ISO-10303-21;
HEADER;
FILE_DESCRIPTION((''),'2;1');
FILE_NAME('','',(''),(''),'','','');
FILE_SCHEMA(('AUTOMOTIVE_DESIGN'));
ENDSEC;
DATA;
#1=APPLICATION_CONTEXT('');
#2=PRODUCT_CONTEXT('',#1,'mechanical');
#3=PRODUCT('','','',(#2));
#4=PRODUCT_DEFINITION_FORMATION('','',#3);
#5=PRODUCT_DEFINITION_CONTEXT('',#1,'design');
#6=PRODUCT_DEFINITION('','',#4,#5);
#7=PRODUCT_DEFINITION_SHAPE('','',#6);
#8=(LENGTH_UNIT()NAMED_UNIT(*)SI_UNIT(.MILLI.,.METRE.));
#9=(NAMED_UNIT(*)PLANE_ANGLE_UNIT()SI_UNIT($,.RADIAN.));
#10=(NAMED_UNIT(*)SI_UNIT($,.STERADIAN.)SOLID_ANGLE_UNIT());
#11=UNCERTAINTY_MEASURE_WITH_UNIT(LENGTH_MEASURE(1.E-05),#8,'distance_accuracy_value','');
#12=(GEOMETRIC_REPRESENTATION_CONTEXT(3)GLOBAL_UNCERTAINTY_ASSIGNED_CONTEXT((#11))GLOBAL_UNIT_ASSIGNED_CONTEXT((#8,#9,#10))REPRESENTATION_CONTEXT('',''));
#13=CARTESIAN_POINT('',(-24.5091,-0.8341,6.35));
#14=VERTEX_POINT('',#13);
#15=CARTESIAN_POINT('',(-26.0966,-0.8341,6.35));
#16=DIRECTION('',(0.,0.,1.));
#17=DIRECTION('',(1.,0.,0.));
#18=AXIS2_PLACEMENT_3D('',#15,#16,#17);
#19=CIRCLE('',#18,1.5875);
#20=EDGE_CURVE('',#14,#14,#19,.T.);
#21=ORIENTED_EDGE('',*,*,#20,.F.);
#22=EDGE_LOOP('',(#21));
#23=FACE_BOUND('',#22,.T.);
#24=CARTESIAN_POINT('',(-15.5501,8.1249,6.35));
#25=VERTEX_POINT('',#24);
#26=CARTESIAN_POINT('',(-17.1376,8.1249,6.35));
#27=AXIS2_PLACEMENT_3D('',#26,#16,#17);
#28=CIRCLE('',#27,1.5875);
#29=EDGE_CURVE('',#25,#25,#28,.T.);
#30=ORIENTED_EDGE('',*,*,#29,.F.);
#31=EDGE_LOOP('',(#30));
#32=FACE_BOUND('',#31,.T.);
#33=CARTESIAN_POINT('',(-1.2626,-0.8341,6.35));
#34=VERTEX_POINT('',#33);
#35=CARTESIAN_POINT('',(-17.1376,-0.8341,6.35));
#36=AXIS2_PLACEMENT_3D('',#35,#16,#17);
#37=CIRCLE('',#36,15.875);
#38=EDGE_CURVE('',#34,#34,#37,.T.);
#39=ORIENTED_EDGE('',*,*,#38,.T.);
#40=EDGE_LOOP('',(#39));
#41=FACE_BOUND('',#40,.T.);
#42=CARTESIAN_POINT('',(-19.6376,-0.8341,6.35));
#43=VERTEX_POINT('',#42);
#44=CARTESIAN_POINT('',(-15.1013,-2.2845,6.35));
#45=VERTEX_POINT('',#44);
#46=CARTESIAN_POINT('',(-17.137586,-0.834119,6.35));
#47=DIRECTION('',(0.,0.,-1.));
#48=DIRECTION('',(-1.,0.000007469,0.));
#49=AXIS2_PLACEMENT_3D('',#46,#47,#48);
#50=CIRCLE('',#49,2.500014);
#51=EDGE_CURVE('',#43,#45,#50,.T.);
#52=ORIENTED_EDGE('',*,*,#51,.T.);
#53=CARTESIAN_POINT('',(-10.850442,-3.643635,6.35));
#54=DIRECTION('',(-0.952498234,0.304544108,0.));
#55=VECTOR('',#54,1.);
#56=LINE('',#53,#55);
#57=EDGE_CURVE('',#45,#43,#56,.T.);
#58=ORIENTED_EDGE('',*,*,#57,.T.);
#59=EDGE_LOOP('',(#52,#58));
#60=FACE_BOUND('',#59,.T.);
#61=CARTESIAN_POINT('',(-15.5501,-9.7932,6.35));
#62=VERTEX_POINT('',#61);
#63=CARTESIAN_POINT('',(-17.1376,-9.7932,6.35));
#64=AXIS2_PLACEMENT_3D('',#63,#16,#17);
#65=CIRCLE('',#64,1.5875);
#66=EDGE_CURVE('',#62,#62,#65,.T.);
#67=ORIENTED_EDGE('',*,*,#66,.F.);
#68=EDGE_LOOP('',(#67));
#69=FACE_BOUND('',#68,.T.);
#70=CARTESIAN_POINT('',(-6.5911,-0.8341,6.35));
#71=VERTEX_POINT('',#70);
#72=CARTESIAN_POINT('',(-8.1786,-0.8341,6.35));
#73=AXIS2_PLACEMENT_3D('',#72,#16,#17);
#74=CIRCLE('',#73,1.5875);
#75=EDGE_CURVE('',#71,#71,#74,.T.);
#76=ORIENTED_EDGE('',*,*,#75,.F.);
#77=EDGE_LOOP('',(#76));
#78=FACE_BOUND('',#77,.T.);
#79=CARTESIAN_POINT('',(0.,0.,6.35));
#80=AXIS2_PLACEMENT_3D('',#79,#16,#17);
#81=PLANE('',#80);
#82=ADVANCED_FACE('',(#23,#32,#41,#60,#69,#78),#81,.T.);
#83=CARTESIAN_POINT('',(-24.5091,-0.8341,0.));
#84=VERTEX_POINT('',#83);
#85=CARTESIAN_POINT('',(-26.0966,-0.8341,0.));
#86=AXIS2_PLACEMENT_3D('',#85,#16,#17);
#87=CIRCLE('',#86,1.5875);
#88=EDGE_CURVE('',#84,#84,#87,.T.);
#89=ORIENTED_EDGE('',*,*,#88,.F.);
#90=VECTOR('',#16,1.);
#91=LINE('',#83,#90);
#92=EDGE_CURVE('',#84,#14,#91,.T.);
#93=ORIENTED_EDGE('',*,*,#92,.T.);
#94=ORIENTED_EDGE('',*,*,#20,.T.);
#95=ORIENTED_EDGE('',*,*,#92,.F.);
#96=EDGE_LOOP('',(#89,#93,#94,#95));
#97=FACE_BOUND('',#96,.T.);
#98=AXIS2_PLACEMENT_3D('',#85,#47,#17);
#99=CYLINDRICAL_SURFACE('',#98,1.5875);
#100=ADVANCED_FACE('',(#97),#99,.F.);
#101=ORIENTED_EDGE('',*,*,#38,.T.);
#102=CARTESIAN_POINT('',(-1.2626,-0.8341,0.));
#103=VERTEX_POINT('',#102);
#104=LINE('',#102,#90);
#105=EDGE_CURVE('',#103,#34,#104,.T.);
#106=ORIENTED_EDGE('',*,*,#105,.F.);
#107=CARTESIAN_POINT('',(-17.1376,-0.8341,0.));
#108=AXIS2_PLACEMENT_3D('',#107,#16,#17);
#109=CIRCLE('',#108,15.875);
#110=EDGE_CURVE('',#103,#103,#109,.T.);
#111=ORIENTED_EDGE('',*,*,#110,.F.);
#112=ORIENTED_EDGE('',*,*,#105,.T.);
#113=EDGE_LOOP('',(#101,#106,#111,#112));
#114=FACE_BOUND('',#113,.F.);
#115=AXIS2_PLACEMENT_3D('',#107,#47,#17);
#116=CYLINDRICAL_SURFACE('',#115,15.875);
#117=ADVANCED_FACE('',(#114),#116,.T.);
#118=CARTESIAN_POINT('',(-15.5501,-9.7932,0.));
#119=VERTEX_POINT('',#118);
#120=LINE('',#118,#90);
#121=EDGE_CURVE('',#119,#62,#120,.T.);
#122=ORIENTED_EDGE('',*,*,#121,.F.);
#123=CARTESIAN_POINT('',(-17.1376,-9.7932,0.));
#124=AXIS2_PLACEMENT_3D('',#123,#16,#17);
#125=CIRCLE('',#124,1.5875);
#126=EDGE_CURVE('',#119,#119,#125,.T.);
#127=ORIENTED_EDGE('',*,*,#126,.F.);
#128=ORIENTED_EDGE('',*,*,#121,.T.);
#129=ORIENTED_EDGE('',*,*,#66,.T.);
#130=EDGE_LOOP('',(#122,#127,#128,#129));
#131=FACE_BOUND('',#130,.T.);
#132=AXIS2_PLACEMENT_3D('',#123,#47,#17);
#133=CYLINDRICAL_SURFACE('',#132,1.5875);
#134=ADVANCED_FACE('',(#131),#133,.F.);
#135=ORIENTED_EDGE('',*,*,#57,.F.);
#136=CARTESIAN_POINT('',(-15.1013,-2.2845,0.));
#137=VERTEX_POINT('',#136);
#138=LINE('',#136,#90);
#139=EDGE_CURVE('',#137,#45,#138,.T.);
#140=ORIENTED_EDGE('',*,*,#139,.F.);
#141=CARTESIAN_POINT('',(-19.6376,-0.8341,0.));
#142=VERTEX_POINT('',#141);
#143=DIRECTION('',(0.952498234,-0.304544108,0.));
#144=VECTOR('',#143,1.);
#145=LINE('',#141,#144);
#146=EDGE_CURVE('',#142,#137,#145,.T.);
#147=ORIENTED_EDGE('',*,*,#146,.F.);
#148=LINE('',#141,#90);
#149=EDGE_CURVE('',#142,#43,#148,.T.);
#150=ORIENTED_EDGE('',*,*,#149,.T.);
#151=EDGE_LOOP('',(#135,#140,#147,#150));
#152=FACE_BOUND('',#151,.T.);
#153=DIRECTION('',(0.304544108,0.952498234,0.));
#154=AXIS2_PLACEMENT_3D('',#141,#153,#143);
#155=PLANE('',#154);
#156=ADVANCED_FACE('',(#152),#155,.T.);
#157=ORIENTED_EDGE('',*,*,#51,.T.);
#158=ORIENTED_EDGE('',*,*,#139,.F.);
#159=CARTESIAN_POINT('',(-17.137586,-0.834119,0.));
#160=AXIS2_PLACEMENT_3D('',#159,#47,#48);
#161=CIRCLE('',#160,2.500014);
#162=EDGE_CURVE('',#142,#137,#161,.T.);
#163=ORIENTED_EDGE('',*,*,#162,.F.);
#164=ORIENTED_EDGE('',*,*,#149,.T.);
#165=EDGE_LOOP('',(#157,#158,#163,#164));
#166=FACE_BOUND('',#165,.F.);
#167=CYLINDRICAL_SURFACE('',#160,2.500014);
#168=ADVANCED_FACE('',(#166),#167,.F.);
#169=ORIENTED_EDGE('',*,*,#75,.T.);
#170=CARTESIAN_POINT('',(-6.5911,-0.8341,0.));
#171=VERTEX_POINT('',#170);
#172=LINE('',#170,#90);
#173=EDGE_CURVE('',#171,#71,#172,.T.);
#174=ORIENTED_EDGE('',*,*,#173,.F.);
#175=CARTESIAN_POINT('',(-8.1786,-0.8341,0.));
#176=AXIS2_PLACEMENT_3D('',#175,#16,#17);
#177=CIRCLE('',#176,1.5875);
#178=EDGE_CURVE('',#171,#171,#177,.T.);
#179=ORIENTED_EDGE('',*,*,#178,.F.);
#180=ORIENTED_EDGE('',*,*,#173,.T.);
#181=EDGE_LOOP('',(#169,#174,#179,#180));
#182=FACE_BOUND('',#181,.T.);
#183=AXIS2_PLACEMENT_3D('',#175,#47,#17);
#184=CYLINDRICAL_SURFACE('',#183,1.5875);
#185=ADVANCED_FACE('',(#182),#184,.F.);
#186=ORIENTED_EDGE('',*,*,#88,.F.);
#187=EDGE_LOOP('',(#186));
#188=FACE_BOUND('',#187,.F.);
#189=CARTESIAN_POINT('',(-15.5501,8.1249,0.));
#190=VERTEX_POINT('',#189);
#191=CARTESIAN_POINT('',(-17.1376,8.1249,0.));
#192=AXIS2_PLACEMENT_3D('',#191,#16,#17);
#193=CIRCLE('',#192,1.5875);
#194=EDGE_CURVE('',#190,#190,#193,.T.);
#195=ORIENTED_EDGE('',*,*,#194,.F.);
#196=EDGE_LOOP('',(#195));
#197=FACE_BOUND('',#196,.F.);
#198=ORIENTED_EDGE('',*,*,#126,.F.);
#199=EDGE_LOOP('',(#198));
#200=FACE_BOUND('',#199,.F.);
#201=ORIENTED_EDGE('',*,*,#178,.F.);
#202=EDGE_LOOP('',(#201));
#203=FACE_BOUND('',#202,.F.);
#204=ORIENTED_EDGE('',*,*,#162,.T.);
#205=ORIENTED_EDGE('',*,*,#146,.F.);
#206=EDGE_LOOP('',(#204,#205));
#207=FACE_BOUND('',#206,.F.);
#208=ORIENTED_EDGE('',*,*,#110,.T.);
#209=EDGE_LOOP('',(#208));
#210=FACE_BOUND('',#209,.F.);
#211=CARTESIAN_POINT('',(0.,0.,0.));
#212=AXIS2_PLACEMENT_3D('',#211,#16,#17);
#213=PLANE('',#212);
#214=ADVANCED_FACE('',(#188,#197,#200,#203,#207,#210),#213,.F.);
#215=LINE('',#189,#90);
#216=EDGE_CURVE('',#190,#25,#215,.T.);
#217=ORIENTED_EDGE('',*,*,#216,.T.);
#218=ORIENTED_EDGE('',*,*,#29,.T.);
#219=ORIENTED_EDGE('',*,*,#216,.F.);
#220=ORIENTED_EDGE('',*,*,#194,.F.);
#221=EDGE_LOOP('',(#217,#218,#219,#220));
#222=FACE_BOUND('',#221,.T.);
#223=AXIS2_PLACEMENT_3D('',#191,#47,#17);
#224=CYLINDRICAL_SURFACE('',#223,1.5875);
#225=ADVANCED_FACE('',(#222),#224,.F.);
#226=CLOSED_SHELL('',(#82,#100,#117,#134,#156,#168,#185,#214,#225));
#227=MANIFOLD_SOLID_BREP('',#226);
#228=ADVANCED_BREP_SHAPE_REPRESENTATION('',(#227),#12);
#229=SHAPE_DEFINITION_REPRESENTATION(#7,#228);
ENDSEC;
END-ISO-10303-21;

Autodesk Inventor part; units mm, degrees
ref_plane "YZ Plane" through (0, 0, 0) normal (1, 0, 0) x (0, 1, 0)
ref_plane "XZ Plane" through (0, 0, 0) normal (0, 1, 0) x (-1, 0, 0)
ref_plane "XY Plane" through (0, 0, 0) normal (0, 0, 1) x (1, 0, 0)
sketch "Sketch1" plane through (0, 0, 0) normal (0, 0, 1) x (1, 0, 0)
  circle A0 centre (-17.1376, -0.8341) radius 15.875
  circle A1 centre (-17.1376, -9.7932) radius 1.5875
  circle A2 centre (-8.1786, -0.8341) radius 1.5875
  circle A3 centre (-17.1376, 8.1249) radius 1.5875
  circle A4 centre (-26.0966, -0.8341) radius 1.5875
  line L0 (-19.6376, -0.8341) -> (-15.1013, -2.2845)
  arc A5 (-15.1013, -2.2845) -> (-19.6376, -0.8341) centre (-17.1376, -0.8341) ccw
  arc A6 (-15.1013, -2.2845) -> (-19.6376, -0.8341) centre (-17.1376, -0.8341) ccw
  arc A7 (-15.1013, -2.2845) -> (-19.6376, -0.8341) centre (-17.1376, -0.8341) ccw
  point P0 (0, 0)
  dimension "d0" = 5
  dimension "d1" = 31.75
  dimension "d2" = 3.175
  dimension "d5" = 360
extrude "Extrusion1" add sketch "Sketch1" along normal blind 6.35 contours A0 | A5 L0
sketch "Sketch2" plane through (-17.1376, -0.8341, 0) normal (0, 0, -1) x (-1, 0, 0)
  line L0 (2.5, 0) -> (-2.0363, -1.4504)
  arc A0 (2.5, 0) -> (-2.0363, -1.4504) centre (0, 0) ccw
  point P0 (-17.1376, 0.8341)
extrude "Extrusion2" cut sketch "Sketch2" against normal through all
properties part number "stepperShaftCollar"
